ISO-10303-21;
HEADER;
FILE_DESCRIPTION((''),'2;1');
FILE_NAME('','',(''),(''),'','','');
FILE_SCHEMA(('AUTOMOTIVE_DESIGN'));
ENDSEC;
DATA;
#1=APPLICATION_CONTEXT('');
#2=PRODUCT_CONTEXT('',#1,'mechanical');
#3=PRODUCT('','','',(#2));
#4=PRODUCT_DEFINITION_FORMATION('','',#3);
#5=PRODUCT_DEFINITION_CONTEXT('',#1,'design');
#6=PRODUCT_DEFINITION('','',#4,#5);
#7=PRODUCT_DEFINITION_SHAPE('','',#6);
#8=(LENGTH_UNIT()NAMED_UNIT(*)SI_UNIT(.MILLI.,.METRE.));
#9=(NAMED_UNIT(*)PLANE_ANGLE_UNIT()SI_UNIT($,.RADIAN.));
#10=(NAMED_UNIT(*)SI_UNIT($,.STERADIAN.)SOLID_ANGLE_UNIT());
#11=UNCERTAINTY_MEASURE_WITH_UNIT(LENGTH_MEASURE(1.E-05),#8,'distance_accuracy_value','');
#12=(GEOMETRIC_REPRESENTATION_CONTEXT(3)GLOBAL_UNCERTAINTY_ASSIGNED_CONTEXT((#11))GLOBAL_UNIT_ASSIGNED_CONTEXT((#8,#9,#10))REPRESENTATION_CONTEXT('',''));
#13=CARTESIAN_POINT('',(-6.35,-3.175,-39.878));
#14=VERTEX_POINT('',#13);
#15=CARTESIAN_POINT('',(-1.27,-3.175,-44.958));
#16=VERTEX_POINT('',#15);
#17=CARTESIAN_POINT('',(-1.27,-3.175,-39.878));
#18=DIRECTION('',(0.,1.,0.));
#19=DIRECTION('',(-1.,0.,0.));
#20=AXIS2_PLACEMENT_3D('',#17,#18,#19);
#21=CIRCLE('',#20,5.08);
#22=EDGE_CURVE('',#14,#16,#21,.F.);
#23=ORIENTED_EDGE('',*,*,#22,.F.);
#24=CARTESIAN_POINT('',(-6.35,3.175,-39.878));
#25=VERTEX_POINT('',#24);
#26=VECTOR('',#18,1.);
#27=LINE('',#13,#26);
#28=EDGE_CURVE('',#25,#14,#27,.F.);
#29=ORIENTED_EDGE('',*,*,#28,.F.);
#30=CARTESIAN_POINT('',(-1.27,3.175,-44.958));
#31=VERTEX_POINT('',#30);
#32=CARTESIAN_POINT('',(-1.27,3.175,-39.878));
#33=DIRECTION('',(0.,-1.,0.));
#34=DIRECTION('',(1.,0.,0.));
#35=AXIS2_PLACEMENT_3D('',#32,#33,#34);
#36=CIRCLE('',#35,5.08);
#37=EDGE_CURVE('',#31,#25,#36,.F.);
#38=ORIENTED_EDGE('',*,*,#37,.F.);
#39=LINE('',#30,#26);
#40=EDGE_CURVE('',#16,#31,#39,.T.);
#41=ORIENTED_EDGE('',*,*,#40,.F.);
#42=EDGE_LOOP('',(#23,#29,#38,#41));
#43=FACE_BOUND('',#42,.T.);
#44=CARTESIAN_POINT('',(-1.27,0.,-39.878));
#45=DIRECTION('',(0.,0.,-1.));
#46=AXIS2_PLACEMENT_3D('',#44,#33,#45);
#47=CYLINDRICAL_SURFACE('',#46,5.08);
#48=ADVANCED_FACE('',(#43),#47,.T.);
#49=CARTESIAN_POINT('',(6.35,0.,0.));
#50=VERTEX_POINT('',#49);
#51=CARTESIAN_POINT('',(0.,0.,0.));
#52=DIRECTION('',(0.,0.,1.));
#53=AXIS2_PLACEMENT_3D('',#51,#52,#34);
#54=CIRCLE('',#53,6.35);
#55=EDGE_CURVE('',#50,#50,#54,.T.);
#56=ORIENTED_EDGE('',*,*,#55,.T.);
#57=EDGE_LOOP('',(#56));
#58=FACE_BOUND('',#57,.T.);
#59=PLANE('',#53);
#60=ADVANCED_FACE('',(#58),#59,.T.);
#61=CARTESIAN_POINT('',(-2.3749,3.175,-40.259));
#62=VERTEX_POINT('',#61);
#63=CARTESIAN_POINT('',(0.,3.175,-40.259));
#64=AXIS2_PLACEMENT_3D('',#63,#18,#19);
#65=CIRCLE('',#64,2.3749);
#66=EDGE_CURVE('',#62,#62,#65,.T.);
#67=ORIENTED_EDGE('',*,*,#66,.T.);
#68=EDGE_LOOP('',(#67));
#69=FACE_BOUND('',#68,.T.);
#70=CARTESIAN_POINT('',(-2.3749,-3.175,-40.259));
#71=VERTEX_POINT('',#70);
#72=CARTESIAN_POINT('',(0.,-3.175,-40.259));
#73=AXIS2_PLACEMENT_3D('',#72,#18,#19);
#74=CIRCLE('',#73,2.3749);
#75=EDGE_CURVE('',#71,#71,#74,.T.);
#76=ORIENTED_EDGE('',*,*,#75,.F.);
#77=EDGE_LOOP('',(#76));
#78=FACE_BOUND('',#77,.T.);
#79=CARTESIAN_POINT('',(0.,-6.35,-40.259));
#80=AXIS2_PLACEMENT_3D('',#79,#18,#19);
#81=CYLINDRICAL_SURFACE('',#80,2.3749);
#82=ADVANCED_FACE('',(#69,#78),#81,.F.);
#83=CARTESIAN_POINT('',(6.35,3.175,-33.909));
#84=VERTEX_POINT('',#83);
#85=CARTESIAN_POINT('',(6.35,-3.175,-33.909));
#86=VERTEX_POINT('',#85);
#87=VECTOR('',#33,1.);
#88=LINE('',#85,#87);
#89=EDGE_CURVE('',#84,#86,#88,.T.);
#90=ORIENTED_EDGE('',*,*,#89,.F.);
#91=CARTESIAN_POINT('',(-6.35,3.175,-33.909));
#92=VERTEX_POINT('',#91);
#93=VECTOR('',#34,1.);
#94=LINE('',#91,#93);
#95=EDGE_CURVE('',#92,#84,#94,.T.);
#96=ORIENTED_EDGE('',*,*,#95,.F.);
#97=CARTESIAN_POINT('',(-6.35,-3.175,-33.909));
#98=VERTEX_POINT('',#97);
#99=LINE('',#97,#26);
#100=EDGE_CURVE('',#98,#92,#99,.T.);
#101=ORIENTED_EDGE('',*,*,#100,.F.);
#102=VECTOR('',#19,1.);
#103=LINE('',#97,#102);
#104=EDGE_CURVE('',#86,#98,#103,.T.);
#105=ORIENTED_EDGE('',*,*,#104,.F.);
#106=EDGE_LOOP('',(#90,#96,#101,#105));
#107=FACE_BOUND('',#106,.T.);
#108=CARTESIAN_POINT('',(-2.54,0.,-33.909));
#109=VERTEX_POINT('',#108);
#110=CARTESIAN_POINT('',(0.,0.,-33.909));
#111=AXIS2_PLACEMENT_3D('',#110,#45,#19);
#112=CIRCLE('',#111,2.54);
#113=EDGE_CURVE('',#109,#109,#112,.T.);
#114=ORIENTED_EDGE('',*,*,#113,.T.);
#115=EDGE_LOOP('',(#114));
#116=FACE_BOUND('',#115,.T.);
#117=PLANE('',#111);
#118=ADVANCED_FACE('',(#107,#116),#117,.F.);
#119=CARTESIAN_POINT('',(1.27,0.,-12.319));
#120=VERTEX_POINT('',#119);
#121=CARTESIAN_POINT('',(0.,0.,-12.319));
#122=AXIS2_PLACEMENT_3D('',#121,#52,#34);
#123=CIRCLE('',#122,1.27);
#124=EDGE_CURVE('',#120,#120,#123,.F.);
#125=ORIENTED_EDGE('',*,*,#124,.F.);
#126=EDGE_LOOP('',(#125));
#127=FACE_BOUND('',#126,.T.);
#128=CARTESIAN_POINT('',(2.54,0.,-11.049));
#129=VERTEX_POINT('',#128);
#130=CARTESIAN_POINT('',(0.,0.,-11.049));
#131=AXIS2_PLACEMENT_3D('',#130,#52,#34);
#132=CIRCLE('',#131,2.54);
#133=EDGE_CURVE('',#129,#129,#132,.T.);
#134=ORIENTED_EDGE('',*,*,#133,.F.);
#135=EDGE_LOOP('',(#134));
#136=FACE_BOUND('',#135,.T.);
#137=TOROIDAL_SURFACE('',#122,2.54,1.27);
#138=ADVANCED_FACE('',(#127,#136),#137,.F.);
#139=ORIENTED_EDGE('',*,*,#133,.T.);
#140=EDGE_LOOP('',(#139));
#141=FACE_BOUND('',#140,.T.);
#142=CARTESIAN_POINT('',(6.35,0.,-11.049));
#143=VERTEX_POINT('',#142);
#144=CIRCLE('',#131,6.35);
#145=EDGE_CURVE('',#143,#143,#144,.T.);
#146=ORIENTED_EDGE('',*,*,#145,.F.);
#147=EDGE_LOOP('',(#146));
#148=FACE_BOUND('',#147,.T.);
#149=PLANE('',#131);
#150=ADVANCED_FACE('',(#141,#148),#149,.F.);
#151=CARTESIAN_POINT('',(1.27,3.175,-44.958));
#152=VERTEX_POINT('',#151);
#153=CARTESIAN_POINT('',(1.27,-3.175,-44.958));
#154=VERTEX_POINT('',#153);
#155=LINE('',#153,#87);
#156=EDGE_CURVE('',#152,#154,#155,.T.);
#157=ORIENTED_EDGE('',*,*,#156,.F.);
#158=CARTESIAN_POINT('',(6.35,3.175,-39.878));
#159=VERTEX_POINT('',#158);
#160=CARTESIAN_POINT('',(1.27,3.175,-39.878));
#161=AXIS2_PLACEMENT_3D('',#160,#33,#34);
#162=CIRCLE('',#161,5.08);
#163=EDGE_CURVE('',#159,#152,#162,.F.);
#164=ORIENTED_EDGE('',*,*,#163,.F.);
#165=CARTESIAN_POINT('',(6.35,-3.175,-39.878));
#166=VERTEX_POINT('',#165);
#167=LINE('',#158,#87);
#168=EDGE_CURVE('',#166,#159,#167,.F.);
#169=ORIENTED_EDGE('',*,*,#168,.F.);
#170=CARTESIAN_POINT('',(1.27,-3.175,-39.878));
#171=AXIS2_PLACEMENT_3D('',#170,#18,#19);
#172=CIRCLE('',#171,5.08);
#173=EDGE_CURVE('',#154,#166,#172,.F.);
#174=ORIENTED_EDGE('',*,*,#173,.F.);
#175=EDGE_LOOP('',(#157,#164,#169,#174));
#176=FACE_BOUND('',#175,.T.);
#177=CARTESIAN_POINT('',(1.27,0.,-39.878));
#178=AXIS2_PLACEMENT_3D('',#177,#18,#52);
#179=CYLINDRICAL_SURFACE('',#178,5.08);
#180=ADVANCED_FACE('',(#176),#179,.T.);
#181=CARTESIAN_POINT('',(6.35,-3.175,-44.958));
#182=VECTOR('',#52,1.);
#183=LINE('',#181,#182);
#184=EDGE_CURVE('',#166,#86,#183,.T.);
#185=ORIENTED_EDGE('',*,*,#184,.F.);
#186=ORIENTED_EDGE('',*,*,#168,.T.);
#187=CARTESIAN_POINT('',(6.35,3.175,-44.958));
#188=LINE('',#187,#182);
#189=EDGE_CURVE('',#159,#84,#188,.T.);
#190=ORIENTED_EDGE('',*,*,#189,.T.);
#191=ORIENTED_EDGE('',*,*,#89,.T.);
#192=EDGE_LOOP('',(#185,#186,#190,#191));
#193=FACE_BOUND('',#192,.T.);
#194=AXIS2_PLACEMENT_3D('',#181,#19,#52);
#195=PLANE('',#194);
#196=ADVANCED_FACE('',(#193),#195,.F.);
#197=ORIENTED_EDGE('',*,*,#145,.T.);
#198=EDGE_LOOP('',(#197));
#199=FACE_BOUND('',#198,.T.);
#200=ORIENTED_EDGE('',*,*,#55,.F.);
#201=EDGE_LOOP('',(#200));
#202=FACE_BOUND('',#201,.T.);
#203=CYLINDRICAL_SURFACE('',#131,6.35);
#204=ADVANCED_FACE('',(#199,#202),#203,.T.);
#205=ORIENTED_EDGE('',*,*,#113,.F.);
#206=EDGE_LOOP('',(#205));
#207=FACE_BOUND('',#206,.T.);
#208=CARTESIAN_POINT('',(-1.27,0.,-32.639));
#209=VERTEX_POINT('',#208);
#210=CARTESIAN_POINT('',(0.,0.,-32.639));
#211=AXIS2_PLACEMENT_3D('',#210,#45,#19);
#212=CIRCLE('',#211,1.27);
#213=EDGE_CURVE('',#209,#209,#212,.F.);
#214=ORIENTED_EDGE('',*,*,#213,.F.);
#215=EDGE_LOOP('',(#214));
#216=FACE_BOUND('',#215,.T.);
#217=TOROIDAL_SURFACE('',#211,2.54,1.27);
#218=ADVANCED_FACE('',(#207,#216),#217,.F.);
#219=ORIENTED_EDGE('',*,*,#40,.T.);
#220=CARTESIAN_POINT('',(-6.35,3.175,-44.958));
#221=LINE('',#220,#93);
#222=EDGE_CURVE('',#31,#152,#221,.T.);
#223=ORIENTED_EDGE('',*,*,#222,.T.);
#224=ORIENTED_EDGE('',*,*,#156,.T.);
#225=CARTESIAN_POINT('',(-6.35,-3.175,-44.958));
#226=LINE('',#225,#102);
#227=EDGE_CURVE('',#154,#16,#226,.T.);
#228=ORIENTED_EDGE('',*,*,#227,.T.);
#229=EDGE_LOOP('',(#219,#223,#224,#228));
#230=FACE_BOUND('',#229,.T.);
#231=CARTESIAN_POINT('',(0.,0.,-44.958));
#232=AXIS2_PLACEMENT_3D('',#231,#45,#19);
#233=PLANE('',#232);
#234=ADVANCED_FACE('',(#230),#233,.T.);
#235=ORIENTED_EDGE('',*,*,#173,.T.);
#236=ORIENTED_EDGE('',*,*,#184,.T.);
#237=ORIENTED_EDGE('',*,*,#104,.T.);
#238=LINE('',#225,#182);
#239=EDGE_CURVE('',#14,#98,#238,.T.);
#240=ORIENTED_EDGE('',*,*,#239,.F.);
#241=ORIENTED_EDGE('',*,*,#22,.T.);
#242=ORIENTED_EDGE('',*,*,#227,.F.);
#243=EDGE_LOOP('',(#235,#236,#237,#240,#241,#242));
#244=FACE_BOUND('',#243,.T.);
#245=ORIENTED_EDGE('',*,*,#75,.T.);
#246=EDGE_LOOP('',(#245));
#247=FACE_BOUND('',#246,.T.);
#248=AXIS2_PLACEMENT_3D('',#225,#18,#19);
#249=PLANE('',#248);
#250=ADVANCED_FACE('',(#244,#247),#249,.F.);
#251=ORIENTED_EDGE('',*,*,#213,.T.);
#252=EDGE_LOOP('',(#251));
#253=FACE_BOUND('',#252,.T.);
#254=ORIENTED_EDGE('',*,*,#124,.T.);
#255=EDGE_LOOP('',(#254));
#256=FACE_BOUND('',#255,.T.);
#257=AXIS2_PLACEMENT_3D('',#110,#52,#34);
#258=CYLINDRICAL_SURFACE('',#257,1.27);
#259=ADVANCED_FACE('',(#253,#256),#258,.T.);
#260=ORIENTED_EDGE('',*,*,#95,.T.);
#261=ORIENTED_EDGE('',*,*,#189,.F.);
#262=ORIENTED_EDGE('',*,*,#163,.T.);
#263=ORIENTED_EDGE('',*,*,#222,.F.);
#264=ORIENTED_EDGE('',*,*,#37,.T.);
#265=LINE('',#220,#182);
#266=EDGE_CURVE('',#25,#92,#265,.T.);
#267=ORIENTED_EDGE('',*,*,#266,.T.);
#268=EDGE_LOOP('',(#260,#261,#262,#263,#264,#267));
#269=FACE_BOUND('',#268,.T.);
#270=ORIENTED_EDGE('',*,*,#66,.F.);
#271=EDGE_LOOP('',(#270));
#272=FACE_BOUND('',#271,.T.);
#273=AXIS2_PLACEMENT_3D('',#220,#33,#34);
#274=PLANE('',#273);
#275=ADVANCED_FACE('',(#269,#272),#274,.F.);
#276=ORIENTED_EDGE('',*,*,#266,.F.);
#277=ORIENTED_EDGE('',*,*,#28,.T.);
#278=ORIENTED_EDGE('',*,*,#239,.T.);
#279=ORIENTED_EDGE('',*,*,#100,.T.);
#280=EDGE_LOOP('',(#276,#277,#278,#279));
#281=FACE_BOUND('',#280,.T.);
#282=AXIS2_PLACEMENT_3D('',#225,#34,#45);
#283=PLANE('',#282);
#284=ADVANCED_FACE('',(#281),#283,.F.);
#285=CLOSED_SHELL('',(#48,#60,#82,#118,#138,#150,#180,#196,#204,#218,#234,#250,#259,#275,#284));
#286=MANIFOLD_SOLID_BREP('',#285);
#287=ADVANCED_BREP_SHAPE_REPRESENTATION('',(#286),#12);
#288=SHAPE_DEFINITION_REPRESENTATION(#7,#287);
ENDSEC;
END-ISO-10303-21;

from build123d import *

# Parameters (mm, degrees)
SKETCH1_R           = 6.35
BOSS_EXTRUDE1_DEPTH = 11.049
SKETCH2_R           = 1.27
BOSS_EXTRUDE2_DEPTH = 22.86
FILLET1_R           = 1.27
SKETCH3_W           = 12.7
SKETCH3_H           = 6.35
BOSS_EXTRUDE3_DEPTH = 11.049
FILLET2_R           = 1.27
FILLET3_R           = 5.08
SKETCH4_R           = 2.3749
CUT_EXTRUDE1_DEPTH  = 10.525


with BuildPart() as part:
    # Sketch1 → Boss-Extrude1 (new body)
    with BuildSketch(Plane.XY):
        Circle(SKETCH1_R)
    extrude(amount=-BOSS_EXTRUDE1_DEPTH)

    # Sketch2 → Boss-Extrude2 (add)
    with BuildSketch(Plane(origin=(0, 0, -11.049), x_dir=(-1, 0, 0), z_dir=(0, 0, -1))):
        Circle(SKETCH2_R)
    extrude(amount=BOSS_EXTRUDE2_DEPTH)

    # Fillet1
    fillet1_edges = [part.edges().sort_by_distance(p)[0] for p in [
        (1.27, 0, -11.049),
    ]]
    fillet(fillet1_edges, radius=FILLET1_R)

    # Sketch3 → Boss-Extrude3 (add)
    with BuildSketch(Plane(origin=(0, 0, -33.909), x_dir=(-1, 0, 0), z_dir=(0, 0, -1))):
        Rectangle(SKETCH3_W, SKETCH3_H)
    extrude(amount=BOSS_EXTRUDE3_DEPTH)

    # Fillet2
    fillet2_edges = [part.edges().sort_by_distance(p)[0] for p in [
        (1.27, 0, -33.909),
    ]]
    fillet(fillet2_edges, radius=FILLET2_R)

    # Fillet3
    fillet3_edges = [part.edges().sort_by_distance(p)[0] for p in [
        (6.35, 0, -44.958),
        (-6.35, 0, -44.958),
    ]]
    fillet(fillet3_edges, radius=FILLET3_R)

    # Sketch4 → Cut-Extrude1 (cut, through all)
    with BuildSketch(Plane(origin=(0, 3.175, 0), x_dir=(1, 0, 0), z_dir=(0, 1, 0))):
        with Locations((0, 40.259)):
            Circle(SKETCH4_R)
    extrude(amount=-CUT_EXTRUDE1_DEPTH, mode=Mode.SUBTRACT)


solid = part.part
